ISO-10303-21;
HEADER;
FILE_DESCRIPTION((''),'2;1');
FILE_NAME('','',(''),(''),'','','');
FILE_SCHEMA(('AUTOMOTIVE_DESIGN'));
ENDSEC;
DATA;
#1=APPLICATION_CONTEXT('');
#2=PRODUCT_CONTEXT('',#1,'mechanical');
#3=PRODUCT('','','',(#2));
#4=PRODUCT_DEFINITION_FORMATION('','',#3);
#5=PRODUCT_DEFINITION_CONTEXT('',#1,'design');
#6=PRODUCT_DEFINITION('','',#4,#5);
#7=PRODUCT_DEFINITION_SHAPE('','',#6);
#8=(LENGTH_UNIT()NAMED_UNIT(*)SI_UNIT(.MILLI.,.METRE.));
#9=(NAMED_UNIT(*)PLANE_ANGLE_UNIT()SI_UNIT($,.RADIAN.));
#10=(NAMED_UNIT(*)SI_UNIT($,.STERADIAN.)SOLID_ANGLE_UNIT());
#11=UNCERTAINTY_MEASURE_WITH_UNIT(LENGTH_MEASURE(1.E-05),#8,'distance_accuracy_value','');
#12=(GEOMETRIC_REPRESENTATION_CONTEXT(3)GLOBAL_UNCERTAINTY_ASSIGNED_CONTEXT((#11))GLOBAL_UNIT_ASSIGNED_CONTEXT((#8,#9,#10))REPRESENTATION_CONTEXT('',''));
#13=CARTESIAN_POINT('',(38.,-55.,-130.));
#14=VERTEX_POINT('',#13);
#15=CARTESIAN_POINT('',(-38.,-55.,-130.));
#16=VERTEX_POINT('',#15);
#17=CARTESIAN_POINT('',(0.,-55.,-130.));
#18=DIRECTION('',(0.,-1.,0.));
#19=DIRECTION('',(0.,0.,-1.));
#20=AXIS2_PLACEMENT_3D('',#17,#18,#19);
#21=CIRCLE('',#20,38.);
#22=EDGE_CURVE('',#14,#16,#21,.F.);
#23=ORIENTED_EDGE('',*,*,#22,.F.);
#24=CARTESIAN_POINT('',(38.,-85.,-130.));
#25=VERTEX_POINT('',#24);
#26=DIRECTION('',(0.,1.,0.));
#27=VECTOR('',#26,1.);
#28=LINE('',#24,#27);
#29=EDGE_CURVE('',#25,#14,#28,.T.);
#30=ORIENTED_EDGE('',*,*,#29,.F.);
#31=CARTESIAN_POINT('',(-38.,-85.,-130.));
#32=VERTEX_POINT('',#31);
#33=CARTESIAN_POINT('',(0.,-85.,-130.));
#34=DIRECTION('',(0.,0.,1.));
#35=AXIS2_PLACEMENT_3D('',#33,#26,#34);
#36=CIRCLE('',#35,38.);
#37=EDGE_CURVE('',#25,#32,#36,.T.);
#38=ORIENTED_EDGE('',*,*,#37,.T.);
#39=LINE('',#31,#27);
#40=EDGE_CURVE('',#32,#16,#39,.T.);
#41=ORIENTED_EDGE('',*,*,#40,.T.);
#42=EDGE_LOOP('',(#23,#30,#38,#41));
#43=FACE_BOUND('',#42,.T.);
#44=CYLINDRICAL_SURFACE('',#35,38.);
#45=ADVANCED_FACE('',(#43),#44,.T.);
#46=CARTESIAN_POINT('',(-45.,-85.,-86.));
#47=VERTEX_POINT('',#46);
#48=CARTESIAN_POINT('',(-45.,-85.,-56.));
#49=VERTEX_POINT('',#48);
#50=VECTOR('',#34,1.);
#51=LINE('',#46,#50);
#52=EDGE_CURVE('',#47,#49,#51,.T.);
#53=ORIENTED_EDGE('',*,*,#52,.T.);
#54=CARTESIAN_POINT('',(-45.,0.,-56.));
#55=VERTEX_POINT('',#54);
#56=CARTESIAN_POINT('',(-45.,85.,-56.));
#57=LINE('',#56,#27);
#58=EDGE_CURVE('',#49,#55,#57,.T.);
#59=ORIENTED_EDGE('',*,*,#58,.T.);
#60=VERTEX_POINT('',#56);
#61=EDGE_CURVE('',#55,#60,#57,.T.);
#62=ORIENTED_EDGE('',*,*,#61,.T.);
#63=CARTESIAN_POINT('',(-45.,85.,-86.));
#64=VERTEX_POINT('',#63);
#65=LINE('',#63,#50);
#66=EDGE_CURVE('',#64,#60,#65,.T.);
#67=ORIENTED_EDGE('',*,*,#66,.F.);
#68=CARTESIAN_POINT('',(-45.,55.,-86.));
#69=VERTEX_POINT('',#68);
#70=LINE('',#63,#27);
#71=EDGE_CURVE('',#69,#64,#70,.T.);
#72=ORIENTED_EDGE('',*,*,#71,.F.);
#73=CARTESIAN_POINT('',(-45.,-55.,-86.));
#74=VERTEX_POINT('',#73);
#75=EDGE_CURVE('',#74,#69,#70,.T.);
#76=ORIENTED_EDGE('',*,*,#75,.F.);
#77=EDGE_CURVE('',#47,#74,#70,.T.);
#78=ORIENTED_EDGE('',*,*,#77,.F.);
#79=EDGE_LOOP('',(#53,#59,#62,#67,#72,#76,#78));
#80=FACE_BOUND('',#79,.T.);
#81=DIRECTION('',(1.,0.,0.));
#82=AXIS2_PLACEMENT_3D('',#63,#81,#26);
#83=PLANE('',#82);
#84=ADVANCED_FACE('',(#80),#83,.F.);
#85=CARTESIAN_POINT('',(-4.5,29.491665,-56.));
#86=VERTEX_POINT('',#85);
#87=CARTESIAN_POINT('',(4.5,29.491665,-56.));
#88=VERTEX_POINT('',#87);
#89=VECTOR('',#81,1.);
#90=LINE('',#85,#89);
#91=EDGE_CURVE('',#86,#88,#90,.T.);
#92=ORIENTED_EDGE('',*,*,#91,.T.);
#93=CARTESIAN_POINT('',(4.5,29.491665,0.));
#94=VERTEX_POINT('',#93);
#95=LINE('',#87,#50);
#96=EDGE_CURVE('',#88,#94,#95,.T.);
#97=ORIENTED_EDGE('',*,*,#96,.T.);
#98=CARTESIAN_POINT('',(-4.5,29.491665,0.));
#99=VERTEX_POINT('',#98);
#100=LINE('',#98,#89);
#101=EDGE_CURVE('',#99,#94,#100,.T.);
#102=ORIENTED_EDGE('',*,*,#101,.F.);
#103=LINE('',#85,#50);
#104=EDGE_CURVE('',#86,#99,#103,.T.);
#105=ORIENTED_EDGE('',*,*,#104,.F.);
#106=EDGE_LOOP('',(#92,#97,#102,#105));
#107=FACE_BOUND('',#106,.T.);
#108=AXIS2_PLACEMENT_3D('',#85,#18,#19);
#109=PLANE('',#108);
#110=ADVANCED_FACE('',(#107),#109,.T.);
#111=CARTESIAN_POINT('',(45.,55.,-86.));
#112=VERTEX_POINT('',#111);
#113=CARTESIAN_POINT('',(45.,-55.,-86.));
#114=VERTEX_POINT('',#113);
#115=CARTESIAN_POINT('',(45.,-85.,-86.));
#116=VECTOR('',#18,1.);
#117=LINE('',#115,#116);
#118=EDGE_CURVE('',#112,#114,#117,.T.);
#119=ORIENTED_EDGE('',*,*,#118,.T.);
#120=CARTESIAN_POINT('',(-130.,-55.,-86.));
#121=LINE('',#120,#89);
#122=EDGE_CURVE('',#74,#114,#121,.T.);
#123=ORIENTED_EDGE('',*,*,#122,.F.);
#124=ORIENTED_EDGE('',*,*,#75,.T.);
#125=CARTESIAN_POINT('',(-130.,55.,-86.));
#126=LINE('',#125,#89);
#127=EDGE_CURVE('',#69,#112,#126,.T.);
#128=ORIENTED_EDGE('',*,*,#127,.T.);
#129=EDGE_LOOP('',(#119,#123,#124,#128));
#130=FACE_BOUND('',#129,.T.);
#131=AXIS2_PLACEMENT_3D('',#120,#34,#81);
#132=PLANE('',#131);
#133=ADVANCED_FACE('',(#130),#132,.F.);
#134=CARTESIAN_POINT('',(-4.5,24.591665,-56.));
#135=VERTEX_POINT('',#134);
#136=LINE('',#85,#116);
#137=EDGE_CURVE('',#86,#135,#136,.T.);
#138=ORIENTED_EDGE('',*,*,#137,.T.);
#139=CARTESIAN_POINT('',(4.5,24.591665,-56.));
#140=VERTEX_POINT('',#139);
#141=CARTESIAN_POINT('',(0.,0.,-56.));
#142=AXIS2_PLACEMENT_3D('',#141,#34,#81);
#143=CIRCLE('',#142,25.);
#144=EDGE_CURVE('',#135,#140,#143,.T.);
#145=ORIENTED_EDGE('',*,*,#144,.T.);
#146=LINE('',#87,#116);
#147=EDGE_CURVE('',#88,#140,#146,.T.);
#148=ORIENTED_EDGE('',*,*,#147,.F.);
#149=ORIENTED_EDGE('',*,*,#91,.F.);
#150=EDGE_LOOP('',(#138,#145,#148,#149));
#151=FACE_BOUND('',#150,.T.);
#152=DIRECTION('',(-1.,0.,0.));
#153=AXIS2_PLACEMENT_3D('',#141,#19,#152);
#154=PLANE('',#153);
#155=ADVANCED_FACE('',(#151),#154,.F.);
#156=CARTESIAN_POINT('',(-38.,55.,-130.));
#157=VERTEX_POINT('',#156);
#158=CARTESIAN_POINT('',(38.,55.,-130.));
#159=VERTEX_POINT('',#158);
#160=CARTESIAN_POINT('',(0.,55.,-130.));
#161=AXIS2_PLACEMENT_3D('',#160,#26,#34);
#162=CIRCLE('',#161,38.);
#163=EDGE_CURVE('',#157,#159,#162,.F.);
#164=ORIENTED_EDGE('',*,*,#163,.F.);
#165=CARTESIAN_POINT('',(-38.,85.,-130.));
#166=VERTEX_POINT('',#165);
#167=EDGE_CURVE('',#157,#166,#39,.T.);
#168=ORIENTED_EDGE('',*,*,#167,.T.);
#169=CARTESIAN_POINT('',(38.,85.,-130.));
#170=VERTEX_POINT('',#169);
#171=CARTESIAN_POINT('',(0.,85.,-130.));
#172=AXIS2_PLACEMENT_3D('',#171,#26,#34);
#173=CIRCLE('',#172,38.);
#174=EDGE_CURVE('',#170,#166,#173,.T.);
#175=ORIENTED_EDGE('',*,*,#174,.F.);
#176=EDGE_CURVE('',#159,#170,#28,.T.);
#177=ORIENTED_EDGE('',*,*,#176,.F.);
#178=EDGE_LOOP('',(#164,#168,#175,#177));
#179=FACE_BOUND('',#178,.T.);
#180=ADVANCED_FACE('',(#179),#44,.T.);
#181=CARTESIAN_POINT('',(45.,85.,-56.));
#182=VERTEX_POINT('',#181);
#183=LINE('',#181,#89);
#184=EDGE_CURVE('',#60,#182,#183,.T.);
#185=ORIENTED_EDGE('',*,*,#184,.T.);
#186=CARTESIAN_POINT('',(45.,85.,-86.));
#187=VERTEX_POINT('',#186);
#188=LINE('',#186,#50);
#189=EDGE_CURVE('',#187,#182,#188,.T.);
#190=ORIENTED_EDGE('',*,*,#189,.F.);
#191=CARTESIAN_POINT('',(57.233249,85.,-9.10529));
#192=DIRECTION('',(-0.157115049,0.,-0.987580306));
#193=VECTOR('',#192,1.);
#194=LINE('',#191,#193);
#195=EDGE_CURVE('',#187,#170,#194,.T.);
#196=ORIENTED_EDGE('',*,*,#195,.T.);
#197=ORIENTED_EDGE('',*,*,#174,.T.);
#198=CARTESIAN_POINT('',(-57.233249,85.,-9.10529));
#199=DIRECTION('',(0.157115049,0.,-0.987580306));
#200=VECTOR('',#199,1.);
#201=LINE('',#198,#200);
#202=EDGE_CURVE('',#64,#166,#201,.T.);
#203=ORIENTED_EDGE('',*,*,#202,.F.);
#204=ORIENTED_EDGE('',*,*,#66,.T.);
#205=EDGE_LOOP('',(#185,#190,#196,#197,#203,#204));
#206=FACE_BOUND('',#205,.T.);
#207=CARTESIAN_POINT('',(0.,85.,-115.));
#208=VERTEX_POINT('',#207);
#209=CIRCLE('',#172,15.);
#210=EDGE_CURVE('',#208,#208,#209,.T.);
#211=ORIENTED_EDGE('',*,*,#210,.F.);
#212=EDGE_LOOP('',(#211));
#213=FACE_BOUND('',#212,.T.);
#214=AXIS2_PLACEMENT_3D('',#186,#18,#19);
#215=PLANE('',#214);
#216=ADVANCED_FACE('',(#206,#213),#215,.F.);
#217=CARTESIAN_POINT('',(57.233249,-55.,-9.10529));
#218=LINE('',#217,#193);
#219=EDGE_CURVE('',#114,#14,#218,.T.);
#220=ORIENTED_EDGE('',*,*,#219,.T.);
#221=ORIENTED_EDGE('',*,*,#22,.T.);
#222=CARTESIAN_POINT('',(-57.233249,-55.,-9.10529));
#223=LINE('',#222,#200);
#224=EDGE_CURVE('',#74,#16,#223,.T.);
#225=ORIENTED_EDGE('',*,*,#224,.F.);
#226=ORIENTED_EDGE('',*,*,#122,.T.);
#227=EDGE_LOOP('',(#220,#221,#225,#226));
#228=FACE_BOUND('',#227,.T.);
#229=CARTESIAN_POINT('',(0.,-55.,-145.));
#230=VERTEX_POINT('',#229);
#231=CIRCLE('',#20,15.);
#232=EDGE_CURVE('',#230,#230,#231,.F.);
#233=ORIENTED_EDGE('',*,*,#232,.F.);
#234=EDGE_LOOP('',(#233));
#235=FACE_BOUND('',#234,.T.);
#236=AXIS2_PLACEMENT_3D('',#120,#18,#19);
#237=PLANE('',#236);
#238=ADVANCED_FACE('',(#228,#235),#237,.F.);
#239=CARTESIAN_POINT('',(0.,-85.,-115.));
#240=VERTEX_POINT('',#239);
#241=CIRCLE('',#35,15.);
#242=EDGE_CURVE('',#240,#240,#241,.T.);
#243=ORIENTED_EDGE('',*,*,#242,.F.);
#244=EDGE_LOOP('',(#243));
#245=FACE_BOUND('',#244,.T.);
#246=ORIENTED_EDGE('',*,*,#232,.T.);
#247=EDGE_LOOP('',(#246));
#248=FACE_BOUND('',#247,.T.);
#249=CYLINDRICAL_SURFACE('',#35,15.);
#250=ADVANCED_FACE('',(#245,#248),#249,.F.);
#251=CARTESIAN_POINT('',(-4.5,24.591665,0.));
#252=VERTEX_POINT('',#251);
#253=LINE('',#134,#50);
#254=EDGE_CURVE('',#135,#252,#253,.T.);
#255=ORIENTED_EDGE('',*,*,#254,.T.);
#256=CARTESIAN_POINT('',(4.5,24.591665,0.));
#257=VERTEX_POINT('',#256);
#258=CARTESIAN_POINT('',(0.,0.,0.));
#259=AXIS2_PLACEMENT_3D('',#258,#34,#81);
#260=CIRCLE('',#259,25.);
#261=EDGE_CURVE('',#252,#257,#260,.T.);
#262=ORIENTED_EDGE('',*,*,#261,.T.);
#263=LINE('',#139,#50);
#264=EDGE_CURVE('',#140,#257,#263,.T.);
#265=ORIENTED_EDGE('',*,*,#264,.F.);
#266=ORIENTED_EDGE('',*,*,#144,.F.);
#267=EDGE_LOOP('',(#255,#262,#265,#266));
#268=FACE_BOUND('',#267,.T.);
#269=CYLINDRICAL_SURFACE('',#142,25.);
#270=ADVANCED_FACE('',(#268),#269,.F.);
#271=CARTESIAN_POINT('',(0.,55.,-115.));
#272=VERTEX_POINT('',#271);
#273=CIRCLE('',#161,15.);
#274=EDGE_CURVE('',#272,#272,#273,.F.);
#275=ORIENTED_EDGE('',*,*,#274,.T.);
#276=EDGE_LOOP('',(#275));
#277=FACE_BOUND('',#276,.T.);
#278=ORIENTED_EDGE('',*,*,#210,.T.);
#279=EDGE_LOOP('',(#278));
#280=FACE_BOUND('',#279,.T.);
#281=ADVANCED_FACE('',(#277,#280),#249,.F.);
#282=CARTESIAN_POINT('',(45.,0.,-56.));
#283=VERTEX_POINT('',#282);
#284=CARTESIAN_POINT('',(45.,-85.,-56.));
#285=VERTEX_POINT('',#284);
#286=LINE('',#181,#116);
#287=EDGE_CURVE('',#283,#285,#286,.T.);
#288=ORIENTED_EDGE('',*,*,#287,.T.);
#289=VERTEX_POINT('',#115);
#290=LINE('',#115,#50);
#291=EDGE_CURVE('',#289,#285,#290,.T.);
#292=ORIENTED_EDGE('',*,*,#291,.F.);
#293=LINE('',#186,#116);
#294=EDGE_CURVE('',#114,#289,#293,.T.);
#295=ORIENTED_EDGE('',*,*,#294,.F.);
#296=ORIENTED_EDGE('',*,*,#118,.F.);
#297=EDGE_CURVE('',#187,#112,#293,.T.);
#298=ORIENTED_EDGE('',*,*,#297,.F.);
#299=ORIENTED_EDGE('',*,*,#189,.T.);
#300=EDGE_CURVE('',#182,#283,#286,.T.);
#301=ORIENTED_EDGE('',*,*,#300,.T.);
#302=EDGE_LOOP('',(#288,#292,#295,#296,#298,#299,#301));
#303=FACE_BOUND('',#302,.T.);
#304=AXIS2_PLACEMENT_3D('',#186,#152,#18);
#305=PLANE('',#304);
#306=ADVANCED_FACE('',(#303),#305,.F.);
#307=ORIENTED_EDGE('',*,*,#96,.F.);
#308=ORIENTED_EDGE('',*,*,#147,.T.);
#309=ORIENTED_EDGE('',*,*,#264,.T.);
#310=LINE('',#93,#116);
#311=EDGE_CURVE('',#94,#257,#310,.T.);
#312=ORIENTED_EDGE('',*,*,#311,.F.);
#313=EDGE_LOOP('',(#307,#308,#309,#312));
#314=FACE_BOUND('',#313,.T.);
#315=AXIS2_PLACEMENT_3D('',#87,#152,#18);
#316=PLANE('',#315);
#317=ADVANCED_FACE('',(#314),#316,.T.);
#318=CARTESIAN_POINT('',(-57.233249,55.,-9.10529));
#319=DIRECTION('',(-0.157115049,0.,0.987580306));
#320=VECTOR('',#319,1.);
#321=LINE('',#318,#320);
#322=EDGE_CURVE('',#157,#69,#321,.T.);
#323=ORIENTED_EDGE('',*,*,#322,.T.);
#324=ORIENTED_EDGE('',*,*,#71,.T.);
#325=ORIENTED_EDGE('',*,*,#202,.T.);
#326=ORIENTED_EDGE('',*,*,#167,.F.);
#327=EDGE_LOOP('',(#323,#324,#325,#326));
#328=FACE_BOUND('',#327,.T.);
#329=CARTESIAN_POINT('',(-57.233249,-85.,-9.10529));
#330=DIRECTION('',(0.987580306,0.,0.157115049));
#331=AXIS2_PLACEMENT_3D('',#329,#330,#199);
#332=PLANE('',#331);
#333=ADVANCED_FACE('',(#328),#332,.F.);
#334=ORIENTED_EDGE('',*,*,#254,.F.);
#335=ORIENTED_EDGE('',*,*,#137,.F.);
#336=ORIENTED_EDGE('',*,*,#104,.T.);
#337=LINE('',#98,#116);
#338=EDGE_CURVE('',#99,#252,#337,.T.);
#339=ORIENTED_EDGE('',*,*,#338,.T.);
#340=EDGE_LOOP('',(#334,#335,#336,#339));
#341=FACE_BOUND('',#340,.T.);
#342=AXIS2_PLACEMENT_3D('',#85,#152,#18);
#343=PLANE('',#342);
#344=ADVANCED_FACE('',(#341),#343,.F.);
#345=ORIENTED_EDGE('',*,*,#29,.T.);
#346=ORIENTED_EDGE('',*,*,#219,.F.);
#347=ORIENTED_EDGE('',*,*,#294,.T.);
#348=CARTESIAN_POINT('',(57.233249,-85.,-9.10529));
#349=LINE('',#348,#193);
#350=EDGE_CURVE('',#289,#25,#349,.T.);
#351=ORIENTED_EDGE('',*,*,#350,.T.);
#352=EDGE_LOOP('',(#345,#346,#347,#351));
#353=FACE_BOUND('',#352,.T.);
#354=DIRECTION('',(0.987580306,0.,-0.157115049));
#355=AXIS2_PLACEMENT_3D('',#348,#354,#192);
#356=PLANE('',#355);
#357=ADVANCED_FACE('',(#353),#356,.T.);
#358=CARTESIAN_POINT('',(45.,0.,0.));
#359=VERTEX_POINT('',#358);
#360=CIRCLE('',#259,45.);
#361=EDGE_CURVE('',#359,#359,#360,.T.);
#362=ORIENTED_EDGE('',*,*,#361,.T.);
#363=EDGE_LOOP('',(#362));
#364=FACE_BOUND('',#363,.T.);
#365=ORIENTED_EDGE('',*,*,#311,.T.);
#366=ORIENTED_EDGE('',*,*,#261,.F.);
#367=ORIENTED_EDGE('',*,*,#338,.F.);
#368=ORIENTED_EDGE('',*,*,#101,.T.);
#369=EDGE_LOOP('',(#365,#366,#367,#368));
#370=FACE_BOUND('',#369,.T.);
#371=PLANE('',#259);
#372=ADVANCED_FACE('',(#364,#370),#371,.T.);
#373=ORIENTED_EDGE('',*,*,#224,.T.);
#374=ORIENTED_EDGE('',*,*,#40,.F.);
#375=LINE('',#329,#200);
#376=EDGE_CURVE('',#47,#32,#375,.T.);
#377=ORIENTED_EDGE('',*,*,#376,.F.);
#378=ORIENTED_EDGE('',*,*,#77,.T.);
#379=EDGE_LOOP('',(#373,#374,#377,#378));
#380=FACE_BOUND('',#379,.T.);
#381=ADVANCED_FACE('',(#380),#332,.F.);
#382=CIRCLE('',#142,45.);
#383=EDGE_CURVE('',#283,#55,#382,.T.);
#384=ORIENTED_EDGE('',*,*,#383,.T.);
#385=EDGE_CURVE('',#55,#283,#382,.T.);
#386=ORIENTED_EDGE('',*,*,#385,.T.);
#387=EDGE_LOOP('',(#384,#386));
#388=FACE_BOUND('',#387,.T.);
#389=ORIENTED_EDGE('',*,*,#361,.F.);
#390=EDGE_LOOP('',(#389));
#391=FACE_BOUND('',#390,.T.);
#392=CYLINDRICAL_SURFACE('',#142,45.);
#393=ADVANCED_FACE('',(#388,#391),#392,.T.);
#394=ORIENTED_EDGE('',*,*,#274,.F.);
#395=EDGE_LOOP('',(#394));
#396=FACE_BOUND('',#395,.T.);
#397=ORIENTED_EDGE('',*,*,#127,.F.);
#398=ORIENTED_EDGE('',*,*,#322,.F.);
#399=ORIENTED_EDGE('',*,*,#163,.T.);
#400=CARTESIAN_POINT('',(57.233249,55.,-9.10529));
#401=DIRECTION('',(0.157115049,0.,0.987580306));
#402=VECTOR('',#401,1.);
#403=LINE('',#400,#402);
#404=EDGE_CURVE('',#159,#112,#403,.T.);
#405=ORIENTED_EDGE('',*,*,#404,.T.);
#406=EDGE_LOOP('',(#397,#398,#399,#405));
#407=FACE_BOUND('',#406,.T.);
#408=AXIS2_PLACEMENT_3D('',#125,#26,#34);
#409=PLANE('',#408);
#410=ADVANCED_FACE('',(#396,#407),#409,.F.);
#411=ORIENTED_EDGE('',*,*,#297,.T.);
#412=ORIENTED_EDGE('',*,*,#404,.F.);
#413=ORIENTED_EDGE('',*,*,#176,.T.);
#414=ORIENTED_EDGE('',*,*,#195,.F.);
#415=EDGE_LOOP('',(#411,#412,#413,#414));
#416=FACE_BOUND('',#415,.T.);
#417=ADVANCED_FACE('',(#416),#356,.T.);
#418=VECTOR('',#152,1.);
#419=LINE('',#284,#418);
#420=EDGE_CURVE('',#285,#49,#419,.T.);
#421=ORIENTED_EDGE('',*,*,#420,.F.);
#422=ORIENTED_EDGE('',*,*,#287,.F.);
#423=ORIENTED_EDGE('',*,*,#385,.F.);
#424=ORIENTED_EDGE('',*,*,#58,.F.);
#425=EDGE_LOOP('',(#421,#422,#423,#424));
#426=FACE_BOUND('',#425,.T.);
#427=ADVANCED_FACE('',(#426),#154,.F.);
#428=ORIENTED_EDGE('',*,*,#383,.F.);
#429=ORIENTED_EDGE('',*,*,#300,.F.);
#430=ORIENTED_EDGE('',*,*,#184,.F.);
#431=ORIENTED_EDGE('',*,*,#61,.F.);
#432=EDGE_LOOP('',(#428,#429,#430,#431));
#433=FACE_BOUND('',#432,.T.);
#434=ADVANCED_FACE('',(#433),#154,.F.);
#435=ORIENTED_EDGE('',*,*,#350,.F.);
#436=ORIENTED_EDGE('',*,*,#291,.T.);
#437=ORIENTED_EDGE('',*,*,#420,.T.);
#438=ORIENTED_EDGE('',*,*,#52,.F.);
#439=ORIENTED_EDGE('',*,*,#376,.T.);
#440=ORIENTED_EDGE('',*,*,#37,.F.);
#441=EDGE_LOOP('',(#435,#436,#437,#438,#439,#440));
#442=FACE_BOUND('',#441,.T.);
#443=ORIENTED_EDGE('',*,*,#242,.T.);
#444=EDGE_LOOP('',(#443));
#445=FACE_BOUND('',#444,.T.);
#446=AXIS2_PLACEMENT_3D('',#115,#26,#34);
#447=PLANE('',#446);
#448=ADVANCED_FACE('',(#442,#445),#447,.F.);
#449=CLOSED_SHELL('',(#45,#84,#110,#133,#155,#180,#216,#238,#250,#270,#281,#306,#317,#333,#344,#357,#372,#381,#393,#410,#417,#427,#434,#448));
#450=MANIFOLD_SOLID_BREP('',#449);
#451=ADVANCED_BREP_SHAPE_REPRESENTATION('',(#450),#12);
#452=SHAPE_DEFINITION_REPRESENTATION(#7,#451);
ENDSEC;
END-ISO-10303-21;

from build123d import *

# Parameters (mm, degrees)
SKETCH2_R           = 45
BOSS_EXTRUDE3_DEPTH = 56
SKETCH4_W           = 90
SKETCH4_H           = 170
BOSS_EXTRUDE4_DEPTH = 30
SKETCH6_R           = 15
BOSS_EXTRUDE5_DEPTH = 170
SKETCH11_W          = 132.381260595
SKETCH11_H          = 110
CUT_EXTRUDE3_DEPTH  = 130


with BuildPart() as part:
    # Sketch2 → Boss-Extrude3 (new body)
    with BuildSketch(Plane.XY):
        Circle(SKETCH2_R)
        with BuildLine():
            Line((-4.5, 29.491665255), (4.5, 29.491665255))
            Line((4.5, 29.491665255), (4.5, 24.591665255))
            ThreePointArc((4.5, 24.591665255), (0, -25), (-4.5, 24.591665255))
            Line((-4.5, 24.591665255), (-4.5, 29.491665255))
        make_face(mode=Mode.SUBTRACT)
    extrude(amount=-BOSS_EXTRUDE3_DEPTH)

    # Sketch4 → Boss-Extrude4 (add)
    with BuildSketch(Plane(origin=(0, 0, -56), x_dir=(-1, 0, 0), z_dir=(0, 0, -1))):
        Rectangle(SKETCH4_W, SKETCH4_H)
    extrude(amount=BOSS_EXTRUDE4_DEPTH)

    # Sketch6 → Boss-Extrude5 (add)
    with BuildSketch(Plane(origin=(0, 85, 0), x_dir=(1, 0, 0), z_dir=(0, 1, 0))):
        with BuildLine():
            Line((45, 86), (38, 130))
            ThreePointArc((38, 130), (0, 168), (-38, 130))
            Line((-38, 130), (-45, 86))
            Line((-45, 86), (45, 86))
        make_face()
        with Locations(Location((0, 130, 0), (0, 0, 270))):
            Circle(SKETCH6_R, mode=Mode.SUBTRACT)
    extrude(amount=-BOSS_EXTRUDE5_DEPTH)

    # Sketch11 → Cut-Extrude3 (cut, symmetric)
    with BuildSketch(Plane(origin=(0, 0, 0), x_dir=(0, 0, -1), z_dir=(1, 0, 0))):
        with Locations((152.190630298, 0)):
            Rectangle(SKETCH11_W, SKETCH11_H)
    extrude(amount=CUT_EXTRUDE3_DEPTH, both=True, mode=Mode.SUBTRACT)


solid = part.part
